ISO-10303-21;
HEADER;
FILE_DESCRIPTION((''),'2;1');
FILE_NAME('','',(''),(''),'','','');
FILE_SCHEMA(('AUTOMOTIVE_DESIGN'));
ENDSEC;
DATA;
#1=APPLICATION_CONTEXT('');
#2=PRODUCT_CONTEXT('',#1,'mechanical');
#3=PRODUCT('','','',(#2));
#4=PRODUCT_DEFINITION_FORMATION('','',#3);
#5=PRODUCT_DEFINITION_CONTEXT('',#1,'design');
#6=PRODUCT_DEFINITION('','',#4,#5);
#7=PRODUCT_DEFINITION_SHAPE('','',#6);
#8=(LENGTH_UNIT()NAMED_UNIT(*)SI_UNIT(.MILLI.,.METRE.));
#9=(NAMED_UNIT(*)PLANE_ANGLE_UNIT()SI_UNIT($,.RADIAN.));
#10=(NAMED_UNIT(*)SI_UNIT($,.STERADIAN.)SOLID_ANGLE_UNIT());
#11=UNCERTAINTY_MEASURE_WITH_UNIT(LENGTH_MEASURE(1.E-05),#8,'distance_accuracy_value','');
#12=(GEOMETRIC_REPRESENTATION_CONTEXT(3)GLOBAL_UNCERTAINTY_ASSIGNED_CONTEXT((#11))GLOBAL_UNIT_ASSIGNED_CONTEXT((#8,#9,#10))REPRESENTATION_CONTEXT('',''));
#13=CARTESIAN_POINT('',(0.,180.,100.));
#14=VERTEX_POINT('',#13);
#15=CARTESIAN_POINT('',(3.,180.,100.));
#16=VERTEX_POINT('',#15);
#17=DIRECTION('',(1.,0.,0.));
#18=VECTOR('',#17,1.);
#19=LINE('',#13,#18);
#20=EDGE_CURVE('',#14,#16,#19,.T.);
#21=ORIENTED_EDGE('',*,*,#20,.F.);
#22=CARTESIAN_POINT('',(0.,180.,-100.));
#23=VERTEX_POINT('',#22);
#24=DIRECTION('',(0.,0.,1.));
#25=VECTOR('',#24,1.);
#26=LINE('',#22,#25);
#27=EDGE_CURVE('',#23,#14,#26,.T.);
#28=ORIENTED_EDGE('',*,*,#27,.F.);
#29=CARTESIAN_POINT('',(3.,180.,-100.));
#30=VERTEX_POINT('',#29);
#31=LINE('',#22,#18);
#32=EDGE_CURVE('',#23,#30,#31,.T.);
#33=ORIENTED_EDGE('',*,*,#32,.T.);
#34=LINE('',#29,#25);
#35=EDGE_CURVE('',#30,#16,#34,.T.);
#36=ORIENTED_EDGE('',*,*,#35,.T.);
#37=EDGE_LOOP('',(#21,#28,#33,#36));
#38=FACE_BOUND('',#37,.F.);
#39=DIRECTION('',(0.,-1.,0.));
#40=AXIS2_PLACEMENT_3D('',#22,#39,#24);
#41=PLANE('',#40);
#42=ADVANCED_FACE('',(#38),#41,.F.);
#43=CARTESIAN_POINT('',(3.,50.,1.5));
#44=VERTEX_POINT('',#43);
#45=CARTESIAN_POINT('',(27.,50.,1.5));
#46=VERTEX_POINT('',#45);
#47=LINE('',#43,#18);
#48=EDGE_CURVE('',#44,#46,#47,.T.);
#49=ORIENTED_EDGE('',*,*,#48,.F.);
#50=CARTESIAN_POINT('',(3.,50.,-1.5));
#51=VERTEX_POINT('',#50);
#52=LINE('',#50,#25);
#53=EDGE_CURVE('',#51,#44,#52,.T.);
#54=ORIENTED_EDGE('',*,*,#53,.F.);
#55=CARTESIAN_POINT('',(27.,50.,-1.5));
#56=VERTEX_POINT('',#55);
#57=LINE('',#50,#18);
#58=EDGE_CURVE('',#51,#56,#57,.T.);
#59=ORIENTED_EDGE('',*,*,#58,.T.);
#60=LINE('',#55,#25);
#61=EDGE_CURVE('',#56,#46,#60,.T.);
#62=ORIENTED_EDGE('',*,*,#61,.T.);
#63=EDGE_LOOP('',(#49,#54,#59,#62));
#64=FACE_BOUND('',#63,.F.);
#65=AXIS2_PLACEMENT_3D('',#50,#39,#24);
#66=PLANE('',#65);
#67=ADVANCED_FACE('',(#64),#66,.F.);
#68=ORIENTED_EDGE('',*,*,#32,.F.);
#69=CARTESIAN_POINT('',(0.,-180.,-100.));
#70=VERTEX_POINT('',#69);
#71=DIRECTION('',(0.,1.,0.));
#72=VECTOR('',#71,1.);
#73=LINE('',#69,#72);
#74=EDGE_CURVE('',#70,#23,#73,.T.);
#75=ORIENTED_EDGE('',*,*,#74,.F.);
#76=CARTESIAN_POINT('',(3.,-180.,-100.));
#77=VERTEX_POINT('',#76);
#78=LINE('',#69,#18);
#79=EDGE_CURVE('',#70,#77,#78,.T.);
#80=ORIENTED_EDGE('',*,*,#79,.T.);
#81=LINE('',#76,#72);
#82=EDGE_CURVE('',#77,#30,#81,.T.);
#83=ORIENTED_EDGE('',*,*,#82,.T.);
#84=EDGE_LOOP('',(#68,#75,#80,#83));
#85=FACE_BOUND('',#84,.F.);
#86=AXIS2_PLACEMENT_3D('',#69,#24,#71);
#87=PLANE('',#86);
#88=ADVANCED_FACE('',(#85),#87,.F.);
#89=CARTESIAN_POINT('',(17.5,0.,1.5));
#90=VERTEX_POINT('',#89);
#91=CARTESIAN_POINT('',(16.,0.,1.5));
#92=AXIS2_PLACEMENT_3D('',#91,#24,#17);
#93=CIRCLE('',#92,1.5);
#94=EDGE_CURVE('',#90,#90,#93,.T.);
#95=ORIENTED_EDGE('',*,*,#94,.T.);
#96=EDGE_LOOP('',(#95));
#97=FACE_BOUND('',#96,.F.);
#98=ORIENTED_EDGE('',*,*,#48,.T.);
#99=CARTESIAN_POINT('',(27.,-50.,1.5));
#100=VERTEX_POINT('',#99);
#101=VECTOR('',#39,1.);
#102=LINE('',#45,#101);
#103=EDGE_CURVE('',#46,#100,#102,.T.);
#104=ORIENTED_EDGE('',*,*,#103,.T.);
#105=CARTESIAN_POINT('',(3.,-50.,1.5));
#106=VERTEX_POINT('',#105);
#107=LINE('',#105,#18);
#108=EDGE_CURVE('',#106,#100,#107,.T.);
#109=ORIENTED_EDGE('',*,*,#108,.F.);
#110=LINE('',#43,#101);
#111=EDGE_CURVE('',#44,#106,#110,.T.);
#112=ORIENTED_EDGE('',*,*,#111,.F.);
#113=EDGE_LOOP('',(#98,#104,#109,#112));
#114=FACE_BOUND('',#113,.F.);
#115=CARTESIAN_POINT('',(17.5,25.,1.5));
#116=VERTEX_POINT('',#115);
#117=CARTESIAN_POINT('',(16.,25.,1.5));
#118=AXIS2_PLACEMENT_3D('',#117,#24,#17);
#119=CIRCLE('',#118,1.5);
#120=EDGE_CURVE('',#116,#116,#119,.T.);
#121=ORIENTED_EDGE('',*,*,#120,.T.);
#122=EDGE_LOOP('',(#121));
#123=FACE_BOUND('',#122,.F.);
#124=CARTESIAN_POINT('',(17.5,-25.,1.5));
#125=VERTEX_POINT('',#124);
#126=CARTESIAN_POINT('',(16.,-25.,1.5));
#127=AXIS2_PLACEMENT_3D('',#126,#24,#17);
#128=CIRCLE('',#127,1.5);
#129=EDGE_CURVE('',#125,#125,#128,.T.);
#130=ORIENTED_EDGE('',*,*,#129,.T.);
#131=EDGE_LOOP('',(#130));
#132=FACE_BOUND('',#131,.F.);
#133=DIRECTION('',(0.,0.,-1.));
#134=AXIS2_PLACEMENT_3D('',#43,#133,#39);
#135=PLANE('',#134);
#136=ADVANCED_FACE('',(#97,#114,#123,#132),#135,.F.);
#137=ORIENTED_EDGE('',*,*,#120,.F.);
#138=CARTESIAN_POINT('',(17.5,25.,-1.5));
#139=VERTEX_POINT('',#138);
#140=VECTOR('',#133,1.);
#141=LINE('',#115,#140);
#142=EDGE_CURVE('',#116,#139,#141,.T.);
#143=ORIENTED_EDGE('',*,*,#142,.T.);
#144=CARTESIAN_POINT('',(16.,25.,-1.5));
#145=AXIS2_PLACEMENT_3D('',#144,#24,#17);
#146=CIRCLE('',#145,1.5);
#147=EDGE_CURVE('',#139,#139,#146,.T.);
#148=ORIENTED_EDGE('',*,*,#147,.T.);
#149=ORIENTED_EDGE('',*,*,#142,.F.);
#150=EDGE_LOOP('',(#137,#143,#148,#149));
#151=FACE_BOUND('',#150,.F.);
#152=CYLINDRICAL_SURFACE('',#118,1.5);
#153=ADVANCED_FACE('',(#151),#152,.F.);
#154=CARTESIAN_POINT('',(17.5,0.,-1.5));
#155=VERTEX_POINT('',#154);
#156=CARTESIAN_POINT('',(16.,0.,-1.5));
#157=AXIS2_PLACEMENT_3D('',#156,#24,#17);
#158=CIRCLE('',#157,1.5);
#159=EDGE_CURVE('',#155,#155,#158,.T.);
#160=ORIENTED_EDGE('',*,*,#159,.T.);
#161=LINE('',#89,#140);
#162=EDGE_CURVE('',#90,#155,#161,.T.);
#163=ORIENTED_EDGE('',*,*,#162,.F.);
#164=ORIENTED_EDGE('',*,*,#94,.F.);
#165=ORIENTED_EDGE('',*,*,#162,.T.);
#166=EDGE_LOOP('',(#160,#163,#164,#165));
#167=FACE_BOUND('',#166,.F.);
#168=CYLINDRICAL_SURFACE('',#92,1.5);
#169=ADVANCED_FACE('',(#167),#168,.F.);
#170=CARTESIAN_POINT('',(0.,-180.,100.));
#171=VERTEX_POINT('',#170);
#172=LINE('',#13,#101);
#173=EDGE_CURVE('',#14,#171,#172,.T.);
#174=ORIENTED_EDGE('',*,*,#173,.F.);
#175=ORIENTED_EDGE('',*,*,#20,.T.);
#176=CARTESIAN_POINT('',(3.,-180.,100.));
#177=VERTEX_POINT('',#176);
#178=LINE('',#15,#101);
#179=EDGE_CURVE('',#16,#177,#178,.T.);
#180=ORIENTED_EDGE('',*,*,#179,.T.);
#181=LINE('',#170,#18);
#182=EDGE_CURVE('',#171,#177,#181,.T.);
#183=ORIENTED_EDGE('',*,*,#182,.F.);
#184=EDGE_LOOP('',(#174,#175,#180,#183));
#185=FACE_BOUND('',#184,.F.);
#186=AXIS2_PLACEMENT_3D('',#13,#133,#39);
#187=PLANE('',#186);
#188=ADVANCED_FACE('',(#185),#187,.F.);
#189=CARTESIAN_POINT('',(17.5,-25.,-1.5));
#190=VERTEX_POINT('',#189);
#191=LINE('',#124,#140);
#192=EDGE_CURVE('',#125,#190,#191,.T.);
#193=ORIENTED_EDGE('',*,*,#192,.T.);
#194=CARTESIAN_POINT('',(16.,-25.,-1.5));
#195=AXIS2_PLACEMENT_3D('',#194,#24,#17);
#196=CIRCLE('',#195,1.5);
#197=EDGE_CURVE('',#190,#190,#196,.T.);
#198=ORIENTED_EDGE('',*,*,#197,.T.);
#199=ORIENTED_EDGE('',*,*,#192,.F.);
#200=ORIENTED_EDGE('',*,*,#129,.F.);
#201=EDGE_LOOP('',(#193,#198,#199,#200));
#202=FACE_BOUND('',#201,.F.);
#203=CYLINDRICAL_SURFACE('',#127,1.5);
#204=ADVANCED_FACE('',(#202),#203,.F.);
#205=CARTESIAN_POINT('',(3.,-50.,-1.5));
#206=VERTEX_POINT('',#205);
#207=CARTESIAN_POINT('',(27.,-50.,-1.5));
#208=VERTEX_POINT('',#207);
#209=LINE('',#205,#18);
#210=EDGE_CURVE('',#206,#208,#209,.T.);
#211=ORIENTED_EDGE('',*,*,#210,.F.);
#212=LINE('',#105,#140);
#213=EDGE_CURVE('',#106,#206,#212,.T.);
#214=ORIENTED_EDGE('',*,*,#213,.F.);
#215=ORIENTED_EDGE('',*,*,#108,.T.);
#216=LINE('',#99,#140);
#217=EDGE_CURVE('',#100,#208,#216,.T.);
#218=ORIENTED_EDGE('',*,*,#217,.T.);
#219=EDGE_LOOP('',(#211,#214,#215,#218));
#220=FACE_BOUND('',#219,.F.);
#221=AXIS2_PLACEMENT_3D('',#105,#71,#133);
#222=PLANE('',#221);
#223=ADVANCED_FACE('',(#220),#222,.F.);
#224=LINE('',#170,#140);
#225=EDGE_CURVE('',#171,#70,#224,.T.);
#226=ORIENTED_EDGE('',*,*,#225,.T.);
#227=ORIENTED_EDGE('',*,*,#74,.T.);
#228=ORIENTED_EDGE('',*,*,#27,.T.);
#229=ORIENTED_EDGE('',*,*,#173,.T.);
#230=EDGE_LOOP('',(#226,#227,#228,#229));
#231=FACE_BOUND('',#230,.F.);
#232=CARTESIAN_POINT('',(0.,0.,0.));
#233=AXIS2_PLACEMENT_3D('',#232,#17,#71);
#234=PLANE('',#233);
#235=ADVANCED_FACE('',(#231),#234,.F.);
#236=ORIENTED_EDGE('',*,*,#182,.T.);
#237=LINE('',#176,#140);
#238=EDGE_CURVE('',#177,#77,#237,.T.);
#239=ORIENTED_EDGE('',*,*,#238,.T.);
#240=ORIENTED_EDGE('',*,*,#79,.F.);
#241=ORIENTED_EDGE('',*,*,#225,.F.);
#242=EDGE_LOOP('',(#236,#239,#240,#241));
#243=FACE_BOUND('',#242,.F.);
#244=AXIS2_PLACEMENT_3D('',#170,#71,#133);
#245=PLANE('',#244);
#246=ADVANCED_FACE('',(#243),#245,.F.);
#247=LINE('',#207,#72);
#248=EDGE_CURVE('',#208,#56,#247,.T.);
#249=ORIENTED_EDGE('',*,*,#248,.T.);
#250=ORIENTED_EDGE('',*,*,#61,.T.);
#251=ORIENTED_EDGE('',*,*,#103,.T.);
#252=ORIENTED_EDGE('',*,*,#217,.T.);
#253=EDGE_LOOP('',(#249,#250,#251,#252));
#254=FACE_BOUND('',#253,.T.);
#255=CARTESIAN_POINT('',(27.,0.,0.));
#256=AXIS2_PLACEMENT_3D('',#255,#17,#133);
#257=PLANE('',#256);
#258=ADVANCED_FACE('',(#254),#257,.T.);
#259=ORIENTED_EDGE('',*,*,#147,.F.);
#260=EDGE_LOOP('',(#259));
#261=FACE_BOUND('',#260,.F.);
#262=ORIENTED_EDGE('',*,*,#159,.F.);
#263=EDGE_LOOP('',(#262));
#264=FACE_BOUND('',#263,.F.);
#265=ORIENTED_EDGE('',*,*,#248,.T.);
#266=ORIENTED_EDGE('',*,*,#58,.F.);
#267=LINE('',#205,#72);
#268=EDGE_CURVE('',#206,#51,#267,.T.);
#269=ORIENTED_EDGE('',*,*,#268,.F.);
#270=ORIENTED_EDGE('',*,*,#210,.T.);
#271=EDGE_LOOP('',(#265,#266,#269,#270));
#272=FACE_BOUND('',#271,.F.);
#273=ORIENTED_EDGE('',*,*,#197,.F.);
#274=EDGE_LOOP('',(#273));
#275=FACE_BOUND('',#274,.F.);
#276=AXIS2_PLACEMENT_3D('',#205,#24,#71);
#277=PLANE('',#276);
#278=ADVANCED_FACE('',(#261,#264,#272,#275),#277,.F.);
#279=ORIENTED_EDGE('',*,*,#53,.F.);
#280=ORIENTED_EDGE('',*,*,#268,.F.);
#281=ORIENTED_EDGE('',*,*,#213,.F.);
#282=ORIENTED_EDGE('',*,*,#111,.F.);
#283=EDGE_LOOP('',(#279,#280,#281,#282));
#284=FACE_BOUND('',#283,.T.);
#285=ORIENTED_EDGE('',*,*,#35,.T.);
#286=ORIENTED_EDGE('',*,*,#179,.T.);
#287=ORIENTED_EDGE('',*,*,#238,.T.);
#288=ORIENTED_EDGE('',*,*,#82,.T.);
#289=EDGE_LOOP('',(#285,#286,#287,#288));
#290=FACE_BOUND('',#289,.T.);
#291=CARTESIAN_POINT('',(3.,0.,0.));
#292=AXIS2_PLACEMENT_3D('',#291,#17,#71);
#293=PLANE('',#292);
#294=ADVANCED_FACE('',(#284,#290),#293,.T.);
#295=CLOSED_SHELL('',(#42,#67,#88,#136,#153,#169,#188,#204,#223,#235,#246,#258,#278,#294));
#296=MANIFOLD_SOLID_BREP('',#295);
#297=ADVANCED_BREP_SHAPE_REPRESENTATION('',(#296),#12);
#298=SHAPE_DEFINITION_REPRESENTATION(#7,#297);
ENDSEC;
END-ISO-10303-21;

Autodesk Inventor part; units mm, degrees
ref_plane "YZ Plane" through (0, 0, 0) normal (1, 0, 0) x (0, 1, 0)
ref_plane "XZ Plane" through (0, 0, 0) normal (0, 1, 0) x (-1, 0, 0)
ref_plane "XY Plane" through (0, 0, 0) normal (0, 0, 1) x (1, 0, 0)
sketch "Sketch1" plane through (0, 0, 0) normal (1, 0, 0) x (0, 1, 0)
  line L0 (180, 100) -> (-180, 100)
  line L1 (-180, 100) -> (-180, -100)
  line L2 (-180, -100) -> (180, -100)
  line L3 (180, -100) -> (180, 100)
  line L4 (180, 100) -> (-180, -100) construction
  line L5 (-180, 100) -> (180, -100) construction
  point P0 (0, 0)
  dimension "d0" = 360
  dimension "d1" = 200
extrude "Extrusion1" add sketch "Sketch1" along normal blind 3
sketch "Sketch7" plane through (3, 0, 0) normal (1, 0, 0) x (0, 0, -1)
  line L0 (1.5, 50) -> (-1.5, 50)
  line L1 (-1.5, 50) -> (-1.5, -50)
  line L2 (-1.5, -50) -> (1.5, -50)
  line L3 (1.5, -50) -> (1.5, 50)
  line L4 (1.5, 50) -> (-1.5, -50) construction
  line L5 (-1.5, 50) -> (1.5, -50) construction
  point P0 (0, 0)
  dimension "d69" = 3
  dimension "d70" = 100
extrude "Extrusion10" add sketch "Sketch7" along normal blind 24
sketch "Sketch8" plane through (3, -50, 1.5) normal (0, 0, 1) x (1, 0, 0)
  circle A0 centre (13, 75) radius 1.5
  circle A1 centre (13, 50) radius 1.5
  circle A2 centre (13, 25) radius 1.5
  line L0 (0, 100) -> (24, 100) projected
  line L1 (0, 0) -> (24, 0) projected
  line L2 (24, 100) -> (24, 0) projected
  line L3 (0, 230) -> (0, -130) projected
  point P0 (-3, 50)
  dimension "d73" = 3
  dimension "d74" = 3
  dimension "d75" = 3
  dimension "d76" = 25
  dimension "d77" = 25
  dimension "d78" = 25
  dimension "d87" = 25
  dimension "d88" = 11
  dimension "d89" = 11
  dimension "d90" = 11
extrude "Extrusion11" cut sketch "Sketch8" against normal blind 25 contours A0 | A1 | A2
properties part number "rightside"
